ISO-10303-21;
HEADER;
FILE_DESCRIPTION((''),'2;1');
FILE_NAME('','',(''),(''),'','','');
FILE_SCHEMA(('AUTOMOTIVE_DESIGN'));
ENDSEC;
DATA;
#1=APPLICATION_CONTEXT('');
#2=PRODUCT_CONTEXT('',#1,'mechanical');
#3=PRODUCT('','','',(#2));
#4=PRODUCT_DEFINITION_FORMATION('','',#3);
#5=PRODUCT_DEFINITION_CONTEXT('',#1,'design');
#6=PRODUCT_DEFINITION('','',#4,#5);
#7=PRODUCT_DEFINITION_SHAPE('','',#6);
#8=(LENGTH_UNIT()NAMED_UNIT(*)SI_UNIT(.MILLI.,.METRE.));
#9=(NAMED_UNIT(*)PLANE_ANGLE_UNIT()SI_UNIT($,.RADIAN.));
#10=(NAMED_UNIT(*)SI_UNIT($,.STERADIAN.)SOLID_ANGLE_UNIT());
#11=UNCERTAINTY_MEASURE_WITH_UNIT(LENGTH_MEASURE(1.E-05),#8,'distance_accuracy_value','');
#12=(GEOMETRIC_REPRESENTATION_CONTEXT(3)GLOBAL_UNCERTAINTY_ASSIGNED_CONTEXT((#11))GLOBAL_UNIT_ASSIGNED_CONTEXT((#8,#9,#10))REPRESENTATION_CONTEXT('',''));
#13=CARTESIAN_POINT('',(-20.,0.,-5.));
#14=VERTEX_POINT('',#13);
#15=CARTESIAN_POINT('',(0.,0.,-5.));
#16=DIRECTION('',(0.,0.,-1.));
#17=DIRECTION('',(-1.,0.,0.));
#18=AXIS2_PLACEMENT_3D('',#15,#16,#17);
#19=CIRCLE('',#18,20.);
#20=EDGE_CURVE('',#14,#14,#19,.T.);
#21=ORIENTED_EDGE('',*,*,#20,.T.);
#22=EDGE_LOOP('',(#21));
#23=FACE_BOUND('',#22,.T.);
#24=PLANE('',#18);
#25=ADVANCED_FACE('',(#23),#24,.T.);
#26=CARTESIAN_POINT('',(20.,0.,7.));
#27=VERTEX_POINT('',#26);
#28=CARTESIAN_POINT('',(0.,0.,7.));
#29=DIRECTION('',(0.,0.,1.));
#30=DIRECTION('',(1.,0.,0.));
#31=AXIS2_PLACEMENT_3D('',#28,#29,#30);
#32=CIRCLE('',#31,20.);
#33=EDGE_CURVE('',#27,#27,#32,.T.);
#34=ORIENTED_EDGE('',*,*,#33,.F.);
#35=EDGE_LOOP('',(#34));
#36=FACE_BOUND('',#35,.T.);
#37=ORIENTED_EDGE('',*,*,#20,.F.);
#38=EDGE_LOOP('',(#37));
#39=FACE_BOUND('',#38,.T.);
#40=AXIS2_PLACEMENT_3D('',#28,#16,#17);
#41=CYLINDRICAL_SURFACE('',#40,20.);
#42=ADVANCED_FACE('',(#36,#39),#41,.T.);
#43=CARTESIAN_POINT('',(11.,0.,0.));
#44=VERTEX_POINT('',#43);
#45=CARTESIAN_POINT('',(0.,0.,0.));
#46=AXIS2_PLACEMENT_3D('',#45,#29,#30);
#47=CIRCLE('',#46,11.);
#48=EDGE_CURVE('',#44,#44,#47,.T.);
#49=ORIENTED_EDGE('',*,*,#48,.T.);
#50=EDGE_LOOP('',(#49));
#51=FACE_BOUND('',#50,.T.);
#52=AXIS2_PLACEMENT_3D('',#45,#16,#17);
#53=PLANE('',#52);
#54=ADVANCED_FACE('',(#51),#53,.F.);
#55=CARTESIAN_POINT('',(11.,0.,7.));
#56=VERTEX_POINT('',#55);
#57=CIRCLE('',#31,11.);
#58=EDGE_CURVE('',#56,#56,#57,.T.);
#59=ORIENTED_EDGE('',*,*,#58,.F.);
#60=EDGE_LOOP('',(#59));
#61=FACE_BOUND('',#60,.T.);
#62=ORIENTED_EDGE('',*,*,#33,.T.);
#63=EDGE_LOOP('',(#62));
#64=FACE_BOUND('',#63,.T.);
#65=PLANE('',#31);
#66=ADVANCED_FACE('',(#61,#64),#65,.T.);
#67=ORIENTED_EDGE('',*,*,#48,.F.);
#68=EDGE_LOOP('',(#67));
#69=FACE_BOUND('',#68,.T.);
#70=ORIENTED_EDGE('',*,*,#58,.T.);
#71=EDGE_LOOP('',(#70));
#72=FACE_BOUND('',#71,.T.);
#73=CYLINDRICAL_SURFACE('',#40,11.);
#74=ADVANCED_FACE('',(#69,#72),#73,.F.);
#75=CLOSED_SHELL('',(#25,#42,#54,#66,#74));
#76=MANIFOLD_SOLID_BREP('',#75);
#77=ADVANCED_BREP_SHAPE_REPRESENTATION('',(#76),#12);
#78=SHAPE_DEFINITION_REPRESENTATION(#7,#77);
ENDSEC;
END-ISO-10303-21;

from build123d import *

# Parameters (mm, degrees)
SKETCH1_R           = 20
SKETCH1_R_2         = 11
BOSS_EXTRUDE1_DEPTH = 7
BOSS_EXTRUDE2_START = 5
SKETCH2_R           = 20
BOSS_EXTRUDE2_DEPTH = 5


with BuildPart() as part:
    # Sketch1 → Boss-Extrude1 (new body)
    with BuildSketch(Plane.XY):
        Circle(SKETCH1_R)
        Circle(SKETCH1_R_2, mode=Mode.SUBTRACT)
    extrude(amount=BOSS_EXTRUDE1_DEPTH)

    # Sketch2 → Boss-Extrude2 (add)
    with BuildSketch(Plane(origin=(0, 0, 0), x_dir=(-1, 0, 0), z_dir=(0, 0, -1)).offset(BOSS_EXTRUDE2_START)):
        Circle(SKETCH2_R)
    extrude(amount=-BOSS_EXTRUDE2_DEPTH)


solid = part.part
